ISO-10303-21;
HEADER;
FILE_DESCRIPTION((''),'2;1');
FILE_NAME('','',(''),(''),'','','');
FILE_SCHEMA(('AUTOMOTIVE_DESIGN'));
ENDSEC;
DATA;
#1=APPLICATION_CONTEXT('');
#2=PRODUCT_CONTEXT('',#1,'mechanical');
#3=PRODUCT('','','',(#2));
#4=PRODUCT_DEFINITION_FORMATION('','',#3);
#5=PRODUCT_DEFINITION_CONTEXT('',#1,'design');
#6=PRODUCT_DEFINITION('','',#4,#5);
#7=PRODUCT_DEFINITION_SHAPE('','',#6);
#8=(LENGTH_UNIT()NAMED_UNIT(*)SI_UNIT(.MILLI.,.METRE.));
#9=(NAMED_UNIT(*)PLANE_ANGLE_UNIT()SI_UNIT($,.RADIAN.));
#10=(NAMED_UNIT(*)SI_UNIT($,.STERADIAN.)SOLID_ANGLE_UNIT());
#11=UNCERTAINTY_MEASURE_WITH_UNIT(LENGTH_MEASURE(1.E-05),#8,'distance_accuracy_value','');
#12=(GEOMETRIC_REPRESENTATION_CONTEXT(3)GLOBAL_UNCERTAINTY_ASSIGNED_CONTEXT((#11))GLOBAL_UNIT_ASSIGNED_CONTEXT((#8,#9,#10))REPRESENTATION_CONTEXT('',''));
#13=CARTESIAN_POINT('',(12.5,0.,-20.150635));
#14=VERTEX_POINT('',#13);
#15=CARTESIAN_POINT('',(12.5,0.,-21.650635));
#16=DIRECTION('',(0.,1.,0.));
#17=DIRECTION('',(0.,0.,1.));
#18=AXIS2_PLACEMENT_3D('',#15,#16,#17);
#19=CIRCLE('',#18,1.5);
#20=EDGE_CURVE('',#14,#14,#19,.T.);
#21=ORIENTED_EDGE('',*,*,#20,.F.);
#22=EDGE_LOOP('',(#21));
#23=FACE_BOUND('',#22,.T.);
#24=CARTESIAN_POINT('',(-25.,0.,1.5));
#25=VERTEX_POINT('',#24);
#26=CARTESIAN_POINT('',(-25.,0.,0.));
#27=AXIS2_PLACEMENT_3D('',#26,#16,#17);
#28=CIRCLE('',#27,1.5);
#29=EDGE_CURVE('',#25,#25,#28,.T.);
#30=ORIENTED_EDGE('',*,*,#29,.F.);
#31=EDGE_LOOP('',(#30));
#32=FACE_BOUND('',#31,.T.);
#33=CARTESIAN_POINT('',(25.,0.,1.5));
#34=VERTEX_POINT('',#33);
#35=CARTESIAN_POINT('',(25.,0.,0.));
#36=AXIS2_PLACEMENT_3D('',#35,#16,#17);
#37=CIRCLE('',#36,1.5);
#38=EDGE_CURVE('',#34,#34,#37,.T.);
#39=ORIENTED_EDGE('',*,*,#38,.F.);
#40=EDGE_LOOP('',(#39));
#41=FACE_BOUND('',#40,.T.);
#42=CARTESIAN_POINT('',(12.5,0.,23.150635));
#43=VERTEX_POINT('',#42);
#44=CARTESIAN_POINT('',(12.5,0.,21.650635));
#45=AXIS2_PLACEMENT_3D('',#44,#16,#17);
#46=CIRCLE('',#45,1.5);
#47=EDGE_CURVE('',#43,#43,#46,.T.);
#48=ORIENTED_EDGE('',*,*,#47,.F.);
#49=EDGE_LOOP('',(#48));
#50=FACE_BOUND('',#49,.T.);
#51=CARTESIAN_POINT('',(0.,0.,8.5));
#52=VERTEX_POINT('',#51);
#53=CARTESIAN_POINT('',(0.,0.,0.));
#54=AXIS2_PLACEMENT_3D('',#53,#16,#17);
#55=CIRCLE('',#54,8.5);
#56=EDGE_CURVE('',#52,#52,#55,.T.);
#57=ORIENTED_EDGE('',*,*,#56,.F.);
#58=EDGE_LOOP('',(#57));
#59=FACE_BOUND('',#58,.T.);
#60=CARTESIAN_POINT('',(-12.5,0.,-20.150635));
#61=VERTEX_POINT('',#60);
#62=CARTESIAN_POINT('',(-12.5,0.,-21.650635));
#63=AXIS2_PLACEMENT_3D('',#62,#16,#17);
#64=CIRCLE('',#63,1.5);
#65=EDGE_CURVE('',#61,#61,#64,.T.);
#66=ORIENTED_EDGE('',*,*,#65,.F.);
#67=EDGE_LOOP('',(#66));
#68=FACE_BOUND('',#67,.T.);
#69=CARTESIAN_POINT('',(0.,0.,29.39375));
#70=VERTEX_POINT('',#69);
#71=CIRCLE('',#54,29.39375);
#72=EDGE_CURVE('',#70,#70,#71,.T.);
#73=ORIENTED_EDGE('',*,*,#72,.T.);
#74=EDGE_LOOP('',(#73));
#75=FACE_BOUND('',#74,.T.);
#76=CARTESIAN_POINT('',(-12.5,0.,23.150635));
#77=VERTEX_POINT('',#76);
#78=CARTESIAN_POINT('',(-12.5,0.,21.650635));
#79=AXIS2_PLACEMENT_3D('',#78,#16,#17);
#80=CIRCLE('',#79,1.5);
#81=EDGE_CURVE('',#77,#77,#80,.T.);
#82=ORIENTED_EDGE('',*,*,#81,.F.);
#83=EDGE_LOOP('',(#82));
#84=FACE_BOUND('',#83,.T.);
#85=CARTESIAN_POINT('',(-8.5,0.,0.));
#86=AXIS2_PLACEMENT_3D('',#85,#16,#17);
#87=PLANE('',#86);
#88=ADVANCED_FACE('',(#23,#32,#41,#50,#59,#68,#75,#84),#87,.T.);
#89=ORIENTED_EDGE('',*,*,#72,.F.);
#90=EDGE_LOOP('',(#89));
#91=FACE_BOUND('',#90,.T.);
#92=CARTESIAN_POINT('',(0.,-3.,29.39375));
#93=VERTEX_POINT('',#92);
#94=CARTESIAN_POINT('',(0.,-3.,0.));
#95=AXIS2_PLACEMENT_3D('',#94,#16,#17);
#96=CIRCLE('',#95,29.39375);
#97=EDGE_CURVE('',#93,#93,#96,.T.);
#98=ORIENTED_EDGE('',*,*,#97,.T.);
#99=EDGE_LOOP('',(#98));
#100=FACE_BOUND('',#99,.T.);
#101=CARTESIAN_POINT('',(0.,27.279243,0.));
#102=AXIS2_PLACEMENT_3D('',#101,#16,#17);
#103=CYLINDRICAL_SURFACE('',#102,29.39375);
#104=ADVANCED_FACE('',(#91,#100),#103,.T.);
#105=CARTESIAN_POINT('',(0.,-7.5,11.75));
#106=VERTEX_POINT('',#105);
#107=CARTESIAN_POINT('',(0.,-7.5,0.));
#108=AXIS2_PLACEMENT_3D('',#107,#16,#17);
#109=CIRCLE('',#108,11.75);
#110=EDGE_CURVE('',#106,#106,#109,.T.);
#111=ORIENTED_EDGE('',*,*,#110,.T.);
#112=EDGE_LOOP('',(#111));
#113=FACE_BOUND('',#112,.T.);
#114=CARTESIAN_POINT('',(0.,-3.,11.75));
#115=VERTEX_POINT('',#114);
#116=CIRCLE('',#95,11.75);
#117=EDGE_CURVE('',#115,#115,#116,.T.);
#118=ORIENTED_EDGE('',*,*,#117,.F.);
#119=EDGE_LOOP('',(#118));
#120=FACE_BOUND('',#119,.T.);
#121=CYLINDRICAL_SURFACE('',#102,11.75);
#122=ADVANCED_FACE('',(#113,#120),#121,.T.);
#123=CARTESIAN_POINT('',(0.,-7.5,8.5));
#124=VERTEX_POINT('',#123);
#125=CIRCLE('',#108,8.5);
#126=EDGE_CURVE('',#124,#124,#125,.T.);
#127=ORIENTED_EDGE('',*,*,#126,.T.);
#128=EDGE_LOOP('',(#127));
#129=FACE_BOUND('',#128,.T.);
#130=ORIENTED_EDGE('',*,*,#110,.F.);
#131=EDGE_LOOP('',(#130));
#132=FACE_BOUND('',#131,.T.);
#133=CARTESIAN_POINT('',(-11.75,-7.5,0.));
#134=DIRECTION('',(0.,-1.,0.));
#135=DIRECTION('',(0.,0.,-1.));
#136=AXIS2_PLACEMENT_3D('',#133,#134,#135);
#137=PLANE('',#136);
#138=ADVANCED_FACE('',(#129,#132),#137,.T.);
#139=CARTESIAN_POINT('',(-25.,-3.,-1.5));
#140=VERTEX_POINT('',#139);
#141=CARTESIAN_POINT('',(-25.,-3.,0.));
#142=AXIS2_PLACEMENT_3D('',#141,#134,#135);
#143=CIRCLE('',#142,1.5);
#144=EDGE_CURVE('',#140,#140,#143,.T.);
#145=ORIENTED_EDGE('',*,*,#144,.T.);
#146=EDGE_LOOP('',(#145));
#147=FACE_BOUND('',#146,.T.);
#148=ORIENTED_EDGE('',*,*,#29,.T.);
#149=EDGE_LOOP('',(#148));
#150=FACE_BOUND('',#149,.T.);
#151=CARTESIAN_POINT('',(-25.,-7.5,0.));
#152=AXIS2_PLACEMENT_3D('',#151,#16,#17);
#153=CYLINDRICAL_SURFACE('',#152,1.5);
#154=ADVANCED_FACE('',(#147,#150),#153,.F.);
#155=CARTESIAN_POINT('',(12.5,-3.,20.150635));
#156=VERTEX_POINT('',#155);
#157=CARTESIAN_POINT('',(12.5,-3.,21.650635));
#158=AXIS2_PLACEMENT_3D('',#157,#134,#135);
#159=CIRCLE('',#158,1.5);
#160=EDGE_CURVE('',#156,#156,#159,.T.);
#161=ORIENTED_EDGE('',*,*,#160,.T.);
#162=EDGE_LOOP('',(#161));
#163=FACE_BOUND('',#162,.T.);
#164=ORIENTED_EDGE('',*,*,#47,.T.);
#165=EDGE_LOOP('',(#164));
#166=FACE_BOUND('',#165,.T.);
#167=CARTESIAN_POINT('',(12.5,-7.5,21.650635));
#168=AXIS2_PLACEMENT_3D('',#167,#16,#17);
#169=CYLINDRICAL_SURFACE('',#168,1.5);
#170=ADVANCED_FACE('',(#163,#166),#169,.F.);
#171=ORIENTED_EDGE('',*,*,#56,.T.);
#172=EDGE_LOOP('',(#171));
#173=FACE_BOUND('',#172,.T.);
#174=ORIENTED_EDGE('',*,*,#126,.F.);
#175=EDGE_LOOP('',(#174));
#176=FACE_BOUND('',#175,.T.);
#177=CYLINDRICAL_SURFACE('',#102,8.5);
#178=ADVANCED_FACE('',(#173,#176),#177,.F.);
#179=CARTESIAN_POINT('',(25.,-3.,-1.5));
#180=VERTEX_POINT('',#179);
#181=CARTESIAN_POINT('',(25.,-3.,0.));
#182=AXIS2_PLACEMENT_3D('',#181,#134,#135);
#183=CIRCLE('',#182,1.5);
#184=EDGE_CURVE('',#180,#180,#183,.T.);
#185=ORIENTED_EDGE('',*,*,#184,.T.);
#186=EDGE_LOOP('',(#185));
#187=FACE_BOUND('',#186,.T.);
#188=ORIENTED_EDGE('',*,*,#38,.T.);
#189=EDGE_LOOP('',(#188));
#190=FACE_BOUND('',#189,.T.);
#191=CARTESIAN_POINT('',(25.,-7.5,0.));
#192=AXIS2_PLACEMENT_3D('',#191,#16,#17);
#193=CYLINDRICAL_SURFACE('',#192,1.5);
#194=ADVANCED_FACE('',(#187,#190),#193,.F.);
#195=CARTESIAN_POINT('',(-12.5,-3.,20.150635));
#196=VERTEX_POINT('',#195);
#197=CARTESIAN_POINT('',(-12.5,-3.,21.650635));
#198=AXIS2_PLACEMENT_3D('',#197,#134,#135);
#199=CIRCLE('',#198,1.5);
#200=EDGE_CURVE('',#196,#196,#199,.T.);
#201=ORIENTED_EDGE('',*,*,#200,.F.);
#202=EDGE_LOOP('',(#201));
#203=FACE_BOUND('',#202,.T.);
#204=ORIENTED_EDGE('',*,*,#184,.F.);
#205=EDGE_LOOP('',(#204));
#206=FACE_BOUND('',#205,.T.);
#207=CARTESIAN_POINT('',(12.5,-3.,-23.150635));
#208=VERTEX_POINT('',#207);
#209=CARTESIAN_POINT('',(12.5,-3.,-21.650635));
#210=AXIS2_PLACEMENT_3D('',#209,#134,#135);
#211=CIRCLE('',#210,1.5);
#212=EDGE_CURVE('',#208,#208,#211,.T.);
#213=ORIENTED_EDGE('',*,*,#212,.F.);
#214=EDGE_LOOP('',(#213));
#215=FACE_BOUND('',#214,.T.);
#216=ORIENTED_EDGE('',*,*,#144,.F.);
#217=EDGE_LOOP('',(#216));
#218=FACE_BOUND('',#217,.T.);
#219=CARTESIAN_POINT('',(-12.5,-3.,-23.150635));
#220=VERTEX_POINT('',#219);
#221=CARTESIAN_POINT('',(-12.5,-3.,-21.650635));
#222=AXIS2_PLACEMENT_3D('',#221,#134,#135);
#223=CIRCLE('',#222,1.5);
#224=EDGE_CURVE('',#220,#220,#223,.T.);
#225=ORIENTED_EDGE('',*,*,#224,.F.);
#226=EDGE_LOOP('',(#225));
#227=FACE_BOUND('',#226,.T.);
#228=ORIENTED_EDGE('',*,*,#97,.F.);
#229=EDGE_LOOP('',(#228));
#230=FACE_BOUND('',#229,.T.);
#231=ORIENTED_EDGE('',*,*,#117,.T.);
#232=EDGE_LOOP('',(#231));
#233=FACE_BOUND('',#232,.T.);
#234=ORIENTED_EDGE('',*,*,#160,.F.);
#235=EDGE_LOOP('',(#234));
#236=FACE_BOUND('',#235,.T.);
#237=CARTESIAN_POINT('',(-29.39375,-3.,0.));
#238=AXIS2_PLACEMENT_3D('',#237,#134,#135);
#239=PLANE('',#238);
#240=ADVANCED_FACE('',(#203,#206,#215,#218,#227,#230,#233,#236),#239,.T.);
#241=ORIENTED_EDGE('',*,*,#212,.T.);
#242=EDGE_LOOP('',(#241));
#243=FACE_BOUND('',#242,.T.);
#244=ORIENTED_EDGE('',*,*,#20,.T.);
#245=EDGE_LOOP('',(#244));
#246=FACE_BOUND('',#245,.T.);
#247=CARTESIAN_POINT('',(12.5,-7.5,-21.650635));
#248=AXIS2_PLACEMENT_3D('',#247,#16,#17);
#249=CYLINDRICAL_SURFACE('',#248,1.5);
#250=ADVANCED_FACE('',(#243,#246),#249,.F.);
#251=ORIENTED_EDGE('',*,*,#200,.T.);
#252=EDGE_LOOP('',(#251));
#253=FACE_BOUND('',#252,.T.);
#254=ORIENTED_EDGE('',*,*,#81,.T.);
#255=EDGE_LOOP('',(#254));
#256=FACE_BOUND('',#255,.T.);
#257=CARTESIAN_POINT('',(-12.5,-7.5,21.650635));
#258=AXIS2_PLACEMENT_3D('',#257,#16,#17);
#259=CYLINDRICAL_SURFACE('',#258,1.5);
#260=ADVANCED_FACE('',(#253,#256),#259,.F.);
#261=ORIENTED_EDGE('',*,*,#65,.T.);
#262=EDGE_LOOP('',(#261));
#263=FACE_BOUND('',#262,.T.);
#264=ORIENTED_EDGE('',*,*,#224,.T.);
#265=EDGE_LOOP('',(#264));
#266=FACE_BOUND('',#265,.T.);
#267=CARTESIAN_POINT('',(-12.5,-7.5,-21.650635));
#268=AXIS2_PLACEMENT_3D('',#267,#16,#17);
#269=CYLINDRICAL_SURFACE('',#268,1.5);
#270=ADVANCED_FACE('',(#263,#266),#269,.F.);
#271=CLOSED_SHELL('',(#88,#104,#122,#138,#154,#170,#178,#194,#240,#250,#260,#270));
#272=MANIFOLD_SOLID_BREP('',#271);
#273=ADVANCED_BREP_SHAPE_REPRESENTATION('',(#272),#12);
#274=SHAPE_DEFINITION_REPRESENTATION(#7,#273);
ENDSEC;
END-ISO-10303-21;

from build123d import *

# Parameters (mm, degrees)
SKETCH5_R          = 1.5
CUT_EXTRUDE1_DEPTH = 43.24020689


with BuildPart() as part:
    # Sketch4 → Revolve1 (revolve)
    with BuildSketch(Plane.XY, mode=Mode.PRIVATE) as revolve1_sk:
        Polygon((-8.5, 0), (-29.39375, 0), (-29.39375, -3), (-11.75, -3), (-11.75, -7.5), (-8.5, -7.5), align=None)
    revolve(revolve1_sk.sketch.rotate(Axis((0, 27.279243053, 0), (0, -1, 0)), 270), axis=Axis((0, 27.279243053, 0), (0, -1, 0)))

    # Sketch5 → Cut-Extrude1 (cut, through all)
    with BuildSketch(Plane(origin=(0, 0, 0), x_dir=(1, 0, 0), z_dir=(0, 1, 0))):
        with Locations(Location((-25, 0, 0), (0, 0, 270))):
            Circle(SKETCH5_R)
        with Locations(Location((-12.5, 21.650635095, 0), (0, 0, 270))):
            Circle(SKETCH5_R)
        with Locations(Location((12.5, 21.650635095, 0), (0, 0, 270))):
            Circle(SKETCH5_R)
        with Locations(Location((25, 0, 0), (0, 0, 270))):
            Circle(SKETCH5_R)
        with Locations(Location((12.5, -21.650635095, 0), (0, 0, 270))):
            Circle(SKETCH5_R)
        with Locations(Location((-12.5, -21.650635095, 0), (0, 0, 270))):
            Circle(SKETCH5_R)
    extrude(amount=-CUT_EXTRUDE1_DEPTH, mode=Mode.SUBTRACT)


solid = part.part
